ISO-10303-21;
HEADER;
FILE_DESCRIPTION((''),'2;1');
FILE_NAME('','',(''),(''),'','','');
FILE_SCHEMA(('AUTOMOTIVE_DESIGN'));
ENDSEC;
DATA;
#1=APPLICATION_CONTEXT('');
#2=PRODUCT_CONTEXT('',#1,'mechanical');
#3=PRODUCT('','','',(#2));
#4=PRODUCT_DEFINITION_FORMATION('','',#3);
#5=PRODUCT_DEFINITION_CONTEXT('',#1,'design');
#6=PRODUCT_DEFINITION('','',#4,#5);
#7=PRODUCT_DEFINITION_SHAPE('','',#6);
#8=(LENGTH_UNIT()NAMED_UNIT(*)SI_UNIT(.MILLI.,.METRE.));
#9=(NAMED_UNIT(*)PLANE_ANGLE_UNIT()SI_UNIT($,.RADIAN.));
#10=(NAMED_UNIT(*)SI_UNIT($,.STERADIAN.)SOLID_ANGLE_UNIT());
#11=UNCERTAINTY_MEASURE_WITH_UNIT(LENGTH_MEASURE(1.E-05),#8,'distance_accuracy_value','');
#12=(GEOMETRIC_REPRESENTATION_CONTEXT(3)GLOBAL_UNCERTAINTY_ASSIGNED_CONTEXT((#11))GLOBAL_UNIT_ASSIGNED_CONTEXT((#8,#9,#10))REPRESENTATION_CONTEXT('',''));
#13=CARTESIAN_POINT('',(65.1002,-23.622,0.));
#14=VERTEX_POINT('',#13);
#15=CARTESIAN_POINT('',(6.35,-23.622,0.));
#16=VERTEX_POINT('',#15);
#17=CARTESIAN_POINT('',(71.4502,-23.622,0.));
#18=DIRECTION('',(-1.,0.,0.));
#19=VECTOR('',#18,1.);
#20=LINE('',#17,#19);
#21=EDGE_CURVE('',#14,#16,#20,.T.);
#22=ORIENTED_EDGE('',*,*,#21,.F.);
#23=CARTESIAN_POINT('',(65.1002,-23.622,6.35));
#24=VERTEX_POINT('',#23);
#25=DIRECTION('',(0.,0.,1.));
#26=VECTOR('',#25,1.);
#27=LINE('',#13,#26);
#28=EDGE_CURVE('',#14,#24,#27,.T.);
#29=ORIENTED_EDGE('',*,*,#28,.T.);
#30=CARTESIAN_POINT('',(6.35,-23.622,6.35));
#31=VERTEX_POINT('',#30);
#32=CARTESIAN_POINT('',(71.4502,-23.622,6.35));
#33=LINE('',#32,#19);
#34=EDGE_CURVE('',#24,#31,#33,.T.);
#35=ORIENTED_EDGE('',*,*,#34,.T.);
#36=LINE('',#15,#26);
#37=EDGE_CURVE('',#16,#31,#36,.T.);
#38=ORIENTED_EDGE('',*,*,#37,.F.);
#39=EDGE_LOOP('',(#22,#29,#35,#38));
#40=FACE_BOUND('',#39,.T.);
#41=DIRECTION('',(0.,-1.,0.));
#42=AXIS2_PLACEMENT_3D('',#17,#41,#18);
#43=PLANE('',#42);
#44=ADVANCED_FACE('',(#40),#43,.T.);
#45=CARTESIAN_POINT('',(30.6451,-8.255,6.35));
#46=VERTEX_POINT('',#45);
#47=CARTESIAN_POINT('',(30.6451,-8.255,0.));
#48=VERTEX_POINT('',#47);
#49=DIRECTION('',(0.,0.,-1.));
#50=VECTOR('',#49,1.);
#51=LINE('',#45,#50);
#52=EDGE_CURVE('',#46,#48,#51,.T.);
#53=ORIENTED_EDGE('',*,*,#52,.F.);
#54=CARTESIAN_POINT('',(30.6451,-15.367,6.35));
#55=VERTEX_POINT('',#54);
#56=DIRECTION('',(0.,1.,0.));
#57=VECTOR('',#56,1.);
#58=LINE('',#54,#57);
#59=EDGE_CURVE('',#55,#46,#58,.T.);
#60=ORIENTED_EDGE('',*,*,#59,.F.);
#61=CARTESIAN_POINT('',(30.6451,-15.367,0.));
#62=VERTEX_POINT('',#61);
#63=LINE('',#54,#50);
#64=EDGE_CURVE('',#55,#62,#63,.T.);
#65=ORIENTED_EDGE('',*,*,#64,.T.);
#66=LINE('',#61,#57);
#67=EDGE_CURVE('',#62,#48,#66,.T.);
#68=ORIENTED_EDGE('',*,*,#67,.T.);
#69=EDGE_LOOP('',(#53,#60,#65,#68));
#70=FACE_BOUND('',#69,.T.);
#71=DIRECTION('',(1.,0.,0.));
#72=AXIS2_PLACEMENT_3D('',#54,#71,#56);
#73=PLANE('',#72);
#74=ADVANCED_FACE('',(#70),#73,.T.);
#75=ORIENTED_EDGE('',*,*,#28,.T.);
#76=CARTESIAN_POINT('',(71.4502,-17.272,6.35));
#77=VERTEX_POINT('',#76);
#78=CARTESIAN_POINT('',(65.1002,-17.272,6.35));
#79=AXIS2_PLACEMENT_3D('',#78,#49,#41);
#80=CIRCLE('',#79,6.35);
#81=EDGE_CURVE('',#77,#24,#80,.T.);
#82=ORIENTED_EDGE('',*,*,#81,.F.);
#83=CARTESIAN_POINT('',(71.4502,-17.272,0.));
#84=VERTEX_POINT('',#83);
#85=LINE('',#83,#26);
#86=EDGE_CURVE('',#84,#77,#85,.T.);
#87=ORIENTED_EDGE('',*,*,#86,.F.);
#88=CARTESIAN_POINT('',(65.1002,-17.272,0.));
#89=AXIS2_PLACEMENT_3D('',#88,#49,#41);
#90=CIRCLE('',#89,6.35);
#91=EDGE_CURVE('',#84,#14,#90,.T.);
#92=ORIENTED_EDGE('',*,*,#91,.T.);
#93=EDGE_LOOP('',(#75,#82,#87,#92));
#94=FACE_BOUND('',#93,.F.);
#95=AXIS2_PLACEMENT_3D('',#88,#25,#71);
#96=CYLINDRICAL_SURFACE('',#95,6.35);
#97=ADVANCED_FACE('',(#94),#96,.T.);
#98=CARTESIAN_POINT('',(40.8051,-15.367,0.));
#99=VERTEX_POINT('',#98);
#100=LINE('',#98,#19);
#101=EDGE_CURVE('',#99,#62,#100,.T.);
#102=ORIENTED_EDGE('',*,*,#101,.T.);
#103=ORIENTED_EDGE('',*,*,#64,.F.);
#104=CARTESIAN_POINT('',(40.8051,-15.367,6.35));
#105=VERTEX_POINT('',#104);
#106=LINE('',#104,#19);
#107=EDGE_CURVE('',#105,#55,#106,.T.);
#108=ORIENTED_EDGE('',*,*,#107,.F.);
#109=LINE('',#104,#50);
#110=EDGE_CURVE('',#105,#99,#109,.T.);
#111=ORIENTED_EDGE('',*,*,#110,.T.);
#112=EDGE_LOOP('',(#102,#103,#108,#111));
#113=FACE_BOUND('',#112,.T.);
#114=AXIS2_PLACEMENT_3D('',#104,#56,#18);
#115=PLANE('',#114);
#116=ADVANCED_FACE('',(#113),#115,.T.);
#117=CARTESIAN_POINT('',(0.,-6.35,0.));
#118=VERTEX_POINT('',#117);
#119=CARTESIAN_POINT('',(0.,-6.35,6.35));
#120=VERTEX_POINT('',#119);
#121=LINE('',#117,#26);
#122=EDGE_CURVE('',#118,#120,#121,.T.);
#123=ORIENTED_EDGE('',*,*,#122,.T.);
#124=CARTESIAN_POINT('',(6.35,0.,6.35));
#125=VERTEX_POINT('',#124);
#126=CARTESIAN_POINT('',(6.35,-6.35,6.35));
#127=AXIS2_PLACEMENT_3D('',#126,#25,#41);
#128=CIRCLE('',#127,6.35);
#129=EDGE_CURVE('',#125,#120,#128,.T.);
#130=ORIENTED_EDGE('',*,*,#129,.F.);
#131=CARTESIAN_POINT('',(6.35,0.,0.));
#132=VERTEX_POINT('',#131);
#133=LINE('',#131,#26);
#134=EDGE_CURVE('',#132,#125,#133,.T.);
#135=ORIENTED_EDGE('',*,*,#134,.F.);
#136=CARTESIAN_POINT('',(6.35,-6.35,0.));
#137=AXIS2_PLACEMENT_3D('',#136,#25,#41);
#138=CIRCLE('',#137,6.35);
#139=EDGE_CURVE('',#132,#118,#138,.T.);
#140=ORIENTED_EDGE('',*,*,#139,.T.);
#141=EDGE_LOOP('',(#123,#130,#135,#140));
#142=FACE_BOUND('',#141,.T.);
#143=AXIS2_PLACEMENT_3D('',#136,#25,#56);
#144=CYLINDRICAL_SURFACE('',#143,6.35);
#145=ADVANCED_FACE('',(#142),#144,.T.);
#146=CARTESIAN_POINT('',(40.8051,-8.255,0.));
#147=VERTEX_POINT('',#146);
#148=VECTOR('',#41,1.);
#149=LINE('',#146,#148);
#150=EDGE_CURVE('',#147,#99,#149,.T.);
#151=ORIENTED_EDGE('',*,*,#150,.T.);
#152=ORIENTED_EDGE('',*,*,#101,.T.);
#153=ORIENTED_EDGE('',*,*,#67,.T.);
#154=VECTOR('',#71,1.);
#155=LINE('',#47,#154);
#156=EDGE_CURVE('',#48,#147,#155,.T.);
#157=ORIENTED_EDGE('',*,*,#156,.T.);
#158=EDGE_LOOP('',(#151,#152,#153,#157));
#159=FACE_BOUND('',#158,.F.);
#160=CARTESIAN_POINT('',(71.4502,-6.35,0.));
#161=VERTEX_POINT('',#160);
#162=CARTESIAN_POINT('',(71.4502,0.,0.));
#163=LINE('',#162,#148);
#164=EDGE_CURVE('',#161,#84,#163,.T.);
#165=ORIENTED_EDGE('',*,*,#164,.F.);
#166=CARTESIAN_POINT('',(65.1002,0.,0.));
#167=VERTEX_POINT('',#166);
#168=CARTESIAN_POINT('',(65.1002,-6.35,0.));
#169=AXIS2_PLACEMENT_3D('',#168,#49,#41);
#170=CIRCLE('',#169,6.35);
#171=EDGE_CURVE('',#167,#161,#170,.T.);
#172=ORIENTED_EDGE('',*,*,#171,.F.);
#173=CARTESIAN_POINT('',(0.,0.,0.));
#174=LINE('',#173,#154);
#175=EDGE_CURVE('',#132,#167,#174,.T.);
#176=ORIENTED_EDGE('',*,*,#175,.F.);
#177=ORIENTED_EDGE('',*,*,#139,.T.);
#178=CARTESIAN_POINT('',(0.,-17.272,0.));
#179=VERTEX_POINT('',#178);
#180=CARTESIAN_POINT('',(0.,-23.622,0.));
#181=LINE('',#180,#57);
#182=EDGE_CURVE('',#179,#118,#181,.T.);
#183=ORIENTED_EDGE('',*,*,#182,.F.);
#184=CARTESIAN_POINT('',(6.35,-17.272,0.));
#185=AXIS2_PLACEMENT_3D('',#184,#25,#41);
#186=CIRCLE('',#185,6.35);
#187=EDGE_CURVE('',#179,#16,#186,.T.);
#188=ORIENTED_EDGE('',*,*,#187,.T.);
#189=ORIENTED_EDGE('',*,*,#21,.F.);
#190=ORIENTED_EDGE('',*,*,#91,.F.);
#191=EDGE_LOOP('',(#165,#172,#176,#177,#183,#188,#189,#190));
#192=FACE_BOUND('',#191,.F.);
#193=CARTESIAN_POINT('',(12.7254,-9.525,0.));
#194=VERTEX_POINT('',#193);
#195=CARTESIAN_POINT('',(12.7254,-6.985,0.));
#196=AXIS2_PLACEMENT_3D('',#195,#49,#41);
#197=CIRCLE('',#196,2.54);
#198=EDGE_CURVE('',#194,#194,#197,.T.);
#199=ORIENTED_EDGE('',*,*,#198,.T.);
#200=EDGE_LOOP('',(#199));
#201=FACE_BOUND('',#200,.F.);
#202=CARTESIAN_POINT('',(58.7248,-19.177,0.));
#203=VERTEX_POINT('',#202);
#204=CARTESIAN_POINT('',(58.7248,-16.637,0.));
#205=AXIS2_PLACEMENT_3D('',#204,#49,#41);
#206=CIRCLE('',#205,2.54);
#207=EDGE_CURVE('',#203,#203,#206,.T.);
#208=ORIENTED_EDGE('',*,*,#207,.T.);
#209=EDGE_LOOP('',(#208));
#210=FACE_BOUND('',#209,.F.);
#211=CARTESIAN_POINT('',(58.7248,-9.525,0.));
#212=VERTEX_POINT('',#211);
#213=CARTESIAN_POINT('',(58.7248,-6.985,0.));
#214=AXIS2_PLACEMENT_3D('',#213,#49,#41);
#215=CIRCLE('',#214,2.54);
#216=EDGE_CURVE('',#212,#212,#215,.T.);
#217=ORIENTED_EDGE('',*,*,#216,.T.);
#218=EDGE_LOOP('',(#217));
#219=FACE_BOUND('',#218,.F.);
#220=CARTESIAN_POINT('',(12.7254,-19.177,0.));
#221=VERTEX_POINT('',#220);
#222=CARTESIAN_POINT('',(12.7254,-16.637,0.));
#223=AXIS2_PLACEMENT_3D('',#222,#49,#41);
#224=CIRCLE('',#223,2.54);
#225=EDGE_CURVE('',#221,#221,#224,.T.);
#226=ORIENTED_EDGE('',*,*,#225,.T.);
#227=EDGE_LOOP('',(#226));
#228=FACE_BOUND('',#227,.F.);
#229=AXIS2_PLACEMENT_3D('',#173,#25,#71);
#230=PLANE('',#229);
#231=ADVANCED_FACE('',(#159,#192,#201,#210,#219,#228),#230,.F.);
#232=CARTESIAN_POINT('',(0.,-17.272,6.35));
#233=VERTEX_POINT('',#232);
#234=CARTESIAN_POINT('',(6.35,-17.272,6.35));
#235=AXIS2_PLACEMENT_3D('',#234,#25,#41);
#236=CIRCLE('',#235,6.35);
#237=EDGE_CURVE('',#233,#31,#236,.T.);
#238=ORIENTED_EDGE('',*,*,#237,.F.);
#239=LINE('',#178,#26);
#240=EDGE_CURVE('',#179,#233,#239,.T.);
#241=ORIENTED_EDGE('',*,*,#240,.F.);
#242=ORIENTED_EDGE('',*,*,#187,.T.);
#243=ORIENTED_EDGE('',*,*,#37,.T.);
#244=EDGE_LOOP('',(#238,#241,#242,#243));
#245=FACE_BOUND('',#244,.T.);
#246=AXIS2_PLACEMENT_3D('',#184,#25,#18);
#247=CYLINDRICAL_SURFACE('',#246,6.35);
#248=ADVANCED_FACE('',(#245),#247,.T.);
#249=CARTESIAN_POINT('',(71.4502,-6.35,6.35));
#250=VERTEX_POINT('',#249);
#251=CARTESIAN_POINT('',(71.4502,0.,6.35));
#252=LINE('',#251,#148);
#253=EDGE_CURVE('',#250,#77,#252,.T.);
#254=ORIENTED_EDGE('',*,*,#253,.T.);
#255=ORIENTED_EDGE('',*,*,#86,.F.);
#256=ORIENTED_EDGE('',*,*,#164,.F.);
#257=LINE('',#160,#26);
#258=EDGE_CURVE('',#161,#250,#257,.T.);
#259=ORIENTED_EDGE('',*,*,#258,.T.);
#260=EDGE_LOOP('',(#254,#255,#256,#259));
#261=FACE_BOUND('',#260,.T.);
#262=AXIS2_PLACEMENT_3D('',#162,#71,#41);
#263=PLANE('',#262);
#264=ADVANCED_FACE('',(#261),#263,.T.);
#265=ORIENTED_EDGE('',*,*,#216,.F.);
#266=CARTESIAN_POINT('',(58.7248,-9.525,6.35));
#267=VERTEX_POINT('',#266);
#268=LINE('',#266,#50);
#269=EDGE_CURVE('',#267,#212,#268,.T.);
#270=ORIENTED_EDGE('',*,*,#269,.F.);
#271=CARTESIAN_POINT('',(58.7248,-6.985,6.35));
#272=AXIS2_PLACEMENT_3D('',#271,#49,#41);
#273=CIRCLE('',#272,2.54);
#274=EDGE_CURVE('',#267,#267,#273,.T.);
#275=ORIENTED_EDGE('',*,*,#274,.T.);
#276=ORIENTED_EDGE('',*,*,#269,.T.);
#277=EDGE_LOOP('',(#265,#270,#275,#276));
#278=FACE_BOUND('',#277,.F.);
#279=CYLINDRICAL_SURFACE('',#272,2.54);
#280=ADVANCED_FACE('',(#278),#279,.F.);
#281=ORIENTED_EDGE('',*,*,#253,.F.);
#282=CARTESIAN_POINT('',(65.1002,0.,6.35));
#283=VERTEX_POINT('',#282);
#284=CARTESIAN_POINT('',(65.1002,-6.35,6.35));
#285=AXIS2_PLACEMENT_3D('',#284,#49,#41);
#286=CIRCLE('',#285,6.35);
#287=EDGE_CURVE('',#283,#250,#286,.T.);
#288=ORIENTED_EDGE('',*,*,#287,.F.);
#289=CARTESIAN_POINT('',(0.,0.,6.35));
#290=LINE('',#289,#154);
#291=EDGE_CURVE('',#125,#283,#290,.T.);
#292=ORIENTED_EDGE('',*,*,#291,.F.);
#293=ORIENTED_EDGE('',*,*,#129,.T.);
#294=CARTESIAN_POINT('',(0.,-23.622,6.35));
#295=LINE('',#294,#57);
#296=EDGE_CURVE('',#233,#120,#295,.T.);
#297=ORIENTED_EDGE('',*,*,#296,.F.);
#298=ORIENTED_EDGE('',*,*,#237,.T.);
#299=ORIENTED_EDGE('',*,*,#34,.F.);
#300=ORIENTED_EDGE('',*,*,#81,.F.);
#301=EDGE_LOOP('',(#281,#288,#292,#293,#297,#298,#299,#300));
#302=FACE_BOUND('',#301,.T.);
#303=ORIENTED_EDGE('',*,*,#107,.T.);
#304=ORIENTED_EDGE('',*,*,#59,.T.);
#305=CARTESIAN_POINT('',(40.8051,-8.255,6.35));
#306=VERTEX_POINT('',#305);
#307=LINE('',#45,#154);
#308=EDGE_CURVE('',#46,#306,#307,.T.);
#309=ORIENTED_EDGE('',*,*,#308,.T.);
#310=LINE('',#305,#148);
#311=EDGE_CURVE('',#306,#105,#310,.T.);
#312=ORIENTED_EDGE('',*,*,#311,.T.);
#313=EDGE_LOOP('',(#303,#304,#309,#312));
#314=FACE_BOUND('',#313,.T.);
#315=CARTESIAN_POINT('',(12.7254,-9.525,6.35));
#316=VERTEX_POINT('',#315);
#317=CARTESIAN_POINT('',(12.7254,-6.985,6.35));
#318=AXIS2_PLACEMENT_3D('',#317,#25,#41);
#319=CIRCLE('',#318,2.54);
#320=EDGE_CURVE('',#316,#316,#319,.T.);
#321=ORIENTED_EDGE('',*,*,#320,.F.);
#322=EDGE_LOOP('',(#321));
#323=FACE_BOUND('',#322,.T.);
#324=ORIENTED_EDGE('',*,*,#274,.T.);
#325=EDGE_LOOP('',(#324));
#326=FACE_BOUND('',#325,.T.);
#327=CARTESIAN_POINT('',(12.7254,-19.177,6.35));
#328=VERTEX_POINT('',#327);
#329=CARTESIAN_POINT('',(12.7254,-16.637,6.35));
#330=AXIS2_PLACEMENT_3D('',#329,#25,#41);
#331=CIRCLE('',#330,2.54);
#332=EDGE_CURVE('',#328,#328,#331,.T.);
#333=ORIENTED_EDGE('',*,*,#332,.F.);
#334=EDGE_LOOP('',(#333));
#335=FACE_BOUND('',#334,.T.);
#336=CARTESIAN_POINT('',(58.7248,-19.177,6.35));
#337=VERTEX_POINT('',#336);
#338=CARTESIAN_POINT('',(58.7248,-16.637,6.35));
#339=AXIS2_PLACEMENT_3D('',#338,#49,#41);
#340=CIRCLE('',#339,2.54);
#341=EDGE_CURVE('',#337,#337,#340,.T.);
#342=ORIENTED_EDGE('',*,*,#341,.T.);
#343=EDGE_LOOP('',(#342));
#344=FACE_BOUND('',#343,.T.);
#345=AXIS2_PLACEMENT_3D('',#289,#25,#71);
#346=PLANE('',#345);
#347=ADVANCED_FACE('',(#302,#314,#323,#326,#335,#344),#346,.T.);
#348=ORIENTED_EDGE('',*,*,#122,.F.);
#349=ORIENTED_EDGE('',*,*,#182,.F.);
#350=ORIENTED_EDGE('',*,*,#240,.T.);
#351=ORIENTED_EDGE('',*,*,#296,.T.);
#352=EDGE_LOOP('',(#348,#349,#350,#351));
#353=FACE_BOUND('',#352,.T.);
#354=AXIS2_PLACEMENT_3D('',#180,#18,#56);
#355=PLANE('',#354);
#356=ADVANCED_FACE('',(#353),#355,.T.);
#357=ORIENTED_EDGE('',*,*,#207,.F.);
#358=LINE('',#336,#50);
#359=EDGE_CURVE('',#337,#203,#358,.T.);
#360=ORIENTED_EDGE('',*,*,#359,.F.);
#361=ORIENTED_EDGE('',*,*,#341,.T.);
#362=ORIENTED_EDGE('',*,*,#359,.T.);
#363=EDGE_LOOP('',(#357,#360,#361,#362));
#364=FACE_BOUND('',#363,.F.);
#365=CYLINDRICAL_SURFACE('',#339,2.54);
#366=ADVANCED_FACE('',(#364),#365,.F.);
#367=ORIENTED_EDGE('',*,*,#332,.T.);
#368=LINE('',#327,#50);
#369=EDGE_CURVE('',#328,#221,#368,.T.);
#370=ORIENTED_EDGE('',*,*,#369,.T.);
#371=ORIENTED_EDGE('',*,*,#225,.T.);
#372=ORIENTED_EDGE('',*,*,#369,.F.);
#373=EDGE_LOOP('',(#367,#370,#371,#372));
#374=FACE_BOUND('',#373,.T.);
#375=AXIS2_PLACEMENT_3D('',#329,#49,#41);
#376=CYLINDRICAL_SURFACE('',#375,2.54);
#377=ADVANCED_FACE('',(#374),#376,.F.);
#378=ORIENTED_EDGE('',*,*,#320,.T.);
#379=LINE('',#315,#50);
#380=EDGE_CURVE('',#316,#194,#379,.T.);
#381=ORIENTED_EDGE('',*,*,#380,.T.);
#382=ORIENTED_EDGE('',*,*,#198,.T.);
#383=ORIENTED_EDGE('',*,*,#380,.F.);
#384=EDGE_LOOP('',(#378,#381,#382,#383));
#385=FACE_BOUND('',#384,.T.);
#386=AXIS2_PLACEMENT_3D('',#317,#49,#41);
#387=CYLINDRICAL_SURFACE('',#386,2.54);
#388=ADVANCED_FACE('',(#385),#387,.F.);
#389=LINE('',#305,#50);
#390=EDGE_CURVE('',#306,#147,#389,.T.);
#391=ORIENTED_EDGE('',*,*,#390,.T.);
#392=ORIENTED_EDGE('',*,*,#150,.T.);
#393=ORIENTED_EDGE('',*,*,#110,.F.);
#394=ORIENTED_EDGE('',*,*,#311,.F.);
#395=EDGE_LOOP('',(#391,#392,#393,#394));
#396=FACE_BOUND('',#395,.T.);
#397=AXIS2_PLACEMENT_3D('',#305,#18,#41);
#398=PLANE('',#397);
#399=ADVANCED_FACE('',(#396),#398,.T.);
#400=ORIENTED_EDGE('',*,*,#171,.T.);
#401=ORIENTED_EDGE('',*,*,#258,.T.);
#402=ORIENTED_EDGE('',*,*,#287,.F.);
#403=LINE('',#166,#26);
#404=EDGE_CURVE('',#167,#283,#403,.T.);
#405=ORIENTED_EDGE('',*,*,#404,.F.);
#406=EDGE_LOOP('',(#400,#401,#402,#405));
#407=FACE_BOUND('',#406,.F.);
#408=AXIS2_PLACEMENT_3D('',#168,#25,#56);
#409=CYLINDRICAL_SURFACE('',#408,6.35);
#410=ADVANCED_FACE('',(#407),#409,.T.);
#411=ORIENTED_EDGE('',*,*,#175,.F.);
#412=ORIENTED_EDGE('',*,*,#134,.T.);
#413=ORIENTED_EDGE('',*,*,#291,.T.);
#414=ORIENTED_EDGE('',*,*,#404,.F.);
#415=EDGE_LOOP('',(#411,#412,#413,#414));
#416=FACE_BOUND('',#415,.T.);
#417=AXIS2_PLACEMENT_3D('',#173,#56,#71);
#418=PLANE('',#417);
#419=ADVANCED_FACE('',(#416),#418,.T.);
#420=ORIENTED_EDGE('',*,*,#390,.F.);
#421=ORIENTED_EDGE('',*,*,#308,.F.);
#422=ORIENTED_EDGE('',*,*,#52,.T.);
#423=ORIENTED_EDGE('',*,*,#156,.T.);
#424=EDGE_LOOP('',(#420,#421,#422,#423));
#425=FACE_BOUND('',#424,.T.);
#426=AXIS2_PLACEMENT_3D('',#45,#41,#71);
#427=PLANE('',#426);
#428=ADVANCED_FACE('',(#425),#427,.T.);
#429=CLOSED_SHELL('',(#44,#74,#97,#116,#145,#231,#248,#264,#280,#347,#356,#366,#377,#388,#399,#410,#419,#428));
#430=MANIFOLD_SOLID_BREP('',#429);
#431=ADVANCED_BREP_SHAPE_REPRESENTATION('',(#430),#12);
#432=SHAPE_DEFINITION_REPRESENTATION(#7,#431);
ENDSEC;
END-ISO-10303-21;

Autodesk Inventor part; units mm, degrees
ref_plane "YZ Plane" through (0, 0, 0) normal (1, 0, 0) x (0, 1, 0)
ref_plane "XZ Plane" through (0, 0, 0) normal (0, 1, 0) x (-1, 0, 0)
sketch "Sketch1" plane through (0, 0, 0) normal (0, 0, 1) x (1, 0, 0)
  line L0 (0, 0) -> (71.4502, 0)
  line L1 (71.4502, 0) -> (71.4502, -23.622)
  line L2 (71.4502, -23.622) -> (0, -23.622)
  line L3 (0, -23.622) -> (0, 0)
  dimension "d0" = 71.4502
  dimension "d1" = 23.622
extrude "Extrusion1" add sketch "Sketch1" along normal blind 6.35
sketch "Sketch3" plane through (0, 0, 6.35) normal (0, 0, 1) x (1, 0, 0)
  line L0 (0, -23.622) -> (71.4502, -23.622) projected
  line L1 (71.4502, 0) -> (0, 0) projected
  line L2 (71.4502, -23.622) -> (71.4502, 0) projected
  point P0 (58.7248, -6.985)
  point P1 (58.7248, -16.637)
  dimension "d15" = 6.985
  dimension "d16" = 6.985
  dimension "d17" = 12.7254
  dimension "d18" = 12.7254
hole "Hole2" at (58.7248, -6.985, 6.35) at (58.7248, -16.637, 6.35) direction (0, 0, -1) diameter 5.08 depth 25.4 tip angle 118
ref_plane "Work Plane1" through (35.7251, -23.622, 0) normal (1, 0, 0) x (0, 0, -1)
mirror "Mirror1" about plane through (35.7251, -23.622, 0) normal (1, 0, 0) of "Hole2"
sketch "Sketch4" plane through (0, 0, 6.35) normal (0, 0, 1) x (1, 0, 0)
  line L0 (30.6451, -8.255) -> (40.8051, -8.255)
  line L1 (40.8051, -8.255) -> (40.8051, -15.367)
  line L2 (40.8051, -15.367) -> (30.6451, -15.367)
  line L3 (30.6451, -15.367) -> (30.6451, -8.255)
  line L4 (71.4502, -23.622) -> (71.4502, 0) projected
  line L5 (0, 0) -> (0, -23.622) projected
  line L6 (71.4502, 0) -> (0, 0) projected
  line L7 (0, -23.622) -> (71.4502, -23.622) projected
  dimension "d26" = 10.16
  dimension "d27" = 7.112
  dimension "d28" = 71.4502
  dimension "d29" = 30.6451
  dimension "d30" = 8.255
  dimension "d31" = 23.622
extrude "Extrusion2" cut sketch "Sketch4" against normal blind 6.35 contours L0 L1 L2 L3
fillet "Fillet1" radius 6.35 4 edges at (71.4502, 0, 3.175) (71.4502, -23.622, 3.175) (0, 0, 3.175) (0, -23.622, 3.175)
equation "\"d16\" = d15"
equation "\"d17\" = d18"
properties part number "phone cord holder"
